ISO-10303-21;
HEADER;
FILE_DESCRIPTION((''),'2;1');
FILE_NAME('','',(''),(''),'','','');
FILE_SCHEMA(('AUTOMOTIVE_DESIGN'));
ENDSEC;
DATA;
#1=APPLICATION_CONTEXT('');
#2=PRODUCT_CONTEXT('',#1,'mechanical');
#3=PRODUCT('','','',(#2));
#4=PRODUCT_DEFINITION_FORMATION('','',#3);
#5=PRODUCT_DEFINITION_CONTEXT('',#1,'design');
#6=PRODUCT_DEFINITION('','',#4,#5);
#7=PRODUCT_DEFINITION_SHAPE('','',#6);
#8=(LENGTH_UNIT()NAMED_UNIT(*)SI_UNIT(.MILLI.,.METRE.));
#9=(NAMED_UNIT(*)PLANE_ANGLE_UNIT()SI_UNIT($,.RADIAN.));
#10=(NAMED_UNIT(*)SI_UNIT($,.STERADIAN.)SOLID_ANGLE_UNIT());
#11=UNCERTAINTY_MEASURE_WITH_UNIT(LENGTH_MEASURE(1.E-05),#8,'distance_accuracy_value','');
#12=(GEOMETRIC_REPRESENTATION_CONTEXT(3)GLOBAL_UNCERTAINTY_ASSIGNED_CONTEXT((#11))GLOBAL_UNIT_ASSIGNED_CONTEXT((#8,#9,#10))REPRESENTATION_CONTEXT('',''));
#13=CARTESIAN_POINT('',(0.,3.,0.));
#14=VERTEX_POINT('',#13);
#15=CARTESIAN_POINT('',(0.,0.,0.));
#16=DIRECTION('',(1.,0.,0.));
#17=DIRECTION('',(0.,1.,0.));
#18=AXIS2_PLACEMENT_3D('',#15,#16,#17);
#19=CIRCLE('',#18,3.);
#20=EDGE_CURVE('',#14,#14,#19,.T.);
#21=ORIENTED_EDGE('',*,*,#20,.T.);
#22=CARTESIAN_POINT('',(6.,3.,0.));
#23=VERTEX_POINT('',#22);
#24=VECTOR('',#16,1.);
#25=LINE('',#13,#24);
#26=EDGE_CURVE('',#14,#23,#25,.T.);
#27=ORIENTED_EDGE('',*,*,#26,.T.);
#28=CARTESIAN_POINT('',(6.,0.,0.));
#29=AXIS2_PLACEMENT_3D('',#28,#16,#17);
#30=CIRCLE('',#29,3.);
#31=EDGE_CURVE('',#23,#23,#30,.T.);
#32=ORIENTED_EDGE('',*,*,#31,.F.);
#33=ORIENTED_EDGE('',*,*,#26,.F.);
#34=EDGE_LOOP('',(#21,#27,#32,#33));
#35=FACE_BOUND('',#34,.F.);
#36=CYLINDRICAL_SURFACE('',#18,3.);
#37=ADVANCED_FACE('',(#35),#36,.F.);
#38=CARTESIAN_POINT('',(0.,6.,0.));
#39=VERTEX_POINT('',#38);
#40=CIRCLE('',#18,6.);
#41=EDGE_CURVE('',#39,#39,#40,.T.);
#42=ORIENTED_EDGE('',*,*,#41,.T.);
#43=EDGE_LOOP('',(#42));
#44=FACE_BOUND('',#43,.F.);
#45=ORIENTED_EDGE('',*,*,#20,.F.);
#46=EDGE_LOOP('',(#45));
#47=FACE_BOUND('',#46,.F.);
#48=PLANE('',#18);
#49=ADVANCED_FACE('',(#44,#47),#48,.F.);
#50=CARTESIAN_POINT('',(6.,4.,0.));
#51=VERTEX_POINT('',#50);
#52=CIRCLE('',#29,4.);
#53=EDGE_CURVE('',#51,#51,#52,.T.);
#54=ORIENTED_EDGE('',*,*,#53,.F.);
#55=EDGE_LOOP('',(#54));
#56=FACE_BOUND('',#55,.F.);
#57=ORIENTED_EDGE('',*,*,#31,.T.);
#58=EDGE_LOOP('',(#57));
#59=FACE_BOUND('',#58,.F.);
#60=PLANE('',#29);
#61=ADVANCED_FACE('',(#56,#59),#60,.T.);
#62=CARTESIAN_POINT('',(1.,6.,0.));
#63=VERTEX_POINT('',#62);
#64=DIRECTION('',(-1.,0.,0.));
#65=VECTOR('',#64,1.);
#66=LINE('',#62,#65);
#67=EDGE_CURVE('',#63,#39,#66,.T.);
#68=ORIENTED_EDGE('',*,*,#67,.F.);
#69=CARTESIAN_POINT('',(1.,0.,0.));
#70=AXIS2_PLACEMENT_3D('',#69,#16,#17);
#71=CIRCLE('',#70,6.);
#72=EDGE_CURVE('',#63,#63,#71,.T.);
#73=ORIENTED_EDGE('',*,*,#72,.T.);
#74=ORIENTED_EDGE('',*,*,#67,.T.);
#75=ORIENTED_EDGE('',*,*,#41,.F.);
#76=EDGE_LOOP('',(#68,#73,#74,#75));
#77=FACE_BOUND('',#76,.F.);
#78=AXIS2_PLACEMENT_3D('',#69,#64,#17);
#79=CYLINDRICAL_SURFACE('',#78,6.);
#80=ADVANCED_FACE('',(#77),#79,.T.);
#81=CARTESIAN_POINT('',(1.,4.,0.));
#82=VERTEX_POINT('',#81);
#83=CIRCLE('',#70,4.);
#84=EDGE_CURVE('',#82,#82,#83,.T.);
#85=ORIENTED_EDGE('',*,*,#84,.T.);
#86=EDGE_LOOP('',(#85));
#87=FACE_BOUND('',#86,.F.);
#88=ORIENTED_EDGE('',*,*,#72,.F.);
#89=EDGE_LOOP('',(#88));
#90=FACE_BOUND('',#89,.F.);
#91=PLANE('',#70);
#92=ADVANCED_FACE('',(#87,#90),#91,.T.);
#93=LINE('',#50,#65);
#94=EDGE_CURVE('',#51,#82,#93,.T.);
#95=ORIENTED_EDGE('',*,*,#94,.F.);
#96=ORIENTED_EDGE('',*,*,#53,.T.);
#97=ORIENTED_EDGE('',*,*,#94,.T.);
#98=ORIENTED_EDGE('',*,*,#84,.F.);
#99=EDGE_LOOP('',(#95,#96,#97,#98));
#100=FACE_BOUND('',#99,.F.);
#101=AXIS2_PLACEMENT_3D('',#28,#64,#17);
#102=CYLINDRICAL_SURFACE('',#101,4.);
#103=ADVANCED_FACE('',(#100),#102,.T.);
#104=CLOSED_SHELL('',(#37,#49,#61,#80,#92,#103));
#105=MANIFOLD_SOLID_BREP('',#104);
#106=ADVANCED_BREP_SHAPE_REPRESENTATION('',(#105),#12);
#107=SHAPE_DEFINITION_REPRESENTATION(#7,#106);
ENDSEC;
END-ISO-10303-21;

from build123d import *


with BuildPart() as part:
    # Skizze1 → Rotation-Dünn1 (revolve)
    with BuildSketch(Plane.XY):
        Polygon((0, 6), (0, 3), (6, 3), (6, 4), (1, 4), (1, 6), align=None)
    revolve(axis=Axis((0, 0, 0), (1, 0, 0)))


solid = part.part
